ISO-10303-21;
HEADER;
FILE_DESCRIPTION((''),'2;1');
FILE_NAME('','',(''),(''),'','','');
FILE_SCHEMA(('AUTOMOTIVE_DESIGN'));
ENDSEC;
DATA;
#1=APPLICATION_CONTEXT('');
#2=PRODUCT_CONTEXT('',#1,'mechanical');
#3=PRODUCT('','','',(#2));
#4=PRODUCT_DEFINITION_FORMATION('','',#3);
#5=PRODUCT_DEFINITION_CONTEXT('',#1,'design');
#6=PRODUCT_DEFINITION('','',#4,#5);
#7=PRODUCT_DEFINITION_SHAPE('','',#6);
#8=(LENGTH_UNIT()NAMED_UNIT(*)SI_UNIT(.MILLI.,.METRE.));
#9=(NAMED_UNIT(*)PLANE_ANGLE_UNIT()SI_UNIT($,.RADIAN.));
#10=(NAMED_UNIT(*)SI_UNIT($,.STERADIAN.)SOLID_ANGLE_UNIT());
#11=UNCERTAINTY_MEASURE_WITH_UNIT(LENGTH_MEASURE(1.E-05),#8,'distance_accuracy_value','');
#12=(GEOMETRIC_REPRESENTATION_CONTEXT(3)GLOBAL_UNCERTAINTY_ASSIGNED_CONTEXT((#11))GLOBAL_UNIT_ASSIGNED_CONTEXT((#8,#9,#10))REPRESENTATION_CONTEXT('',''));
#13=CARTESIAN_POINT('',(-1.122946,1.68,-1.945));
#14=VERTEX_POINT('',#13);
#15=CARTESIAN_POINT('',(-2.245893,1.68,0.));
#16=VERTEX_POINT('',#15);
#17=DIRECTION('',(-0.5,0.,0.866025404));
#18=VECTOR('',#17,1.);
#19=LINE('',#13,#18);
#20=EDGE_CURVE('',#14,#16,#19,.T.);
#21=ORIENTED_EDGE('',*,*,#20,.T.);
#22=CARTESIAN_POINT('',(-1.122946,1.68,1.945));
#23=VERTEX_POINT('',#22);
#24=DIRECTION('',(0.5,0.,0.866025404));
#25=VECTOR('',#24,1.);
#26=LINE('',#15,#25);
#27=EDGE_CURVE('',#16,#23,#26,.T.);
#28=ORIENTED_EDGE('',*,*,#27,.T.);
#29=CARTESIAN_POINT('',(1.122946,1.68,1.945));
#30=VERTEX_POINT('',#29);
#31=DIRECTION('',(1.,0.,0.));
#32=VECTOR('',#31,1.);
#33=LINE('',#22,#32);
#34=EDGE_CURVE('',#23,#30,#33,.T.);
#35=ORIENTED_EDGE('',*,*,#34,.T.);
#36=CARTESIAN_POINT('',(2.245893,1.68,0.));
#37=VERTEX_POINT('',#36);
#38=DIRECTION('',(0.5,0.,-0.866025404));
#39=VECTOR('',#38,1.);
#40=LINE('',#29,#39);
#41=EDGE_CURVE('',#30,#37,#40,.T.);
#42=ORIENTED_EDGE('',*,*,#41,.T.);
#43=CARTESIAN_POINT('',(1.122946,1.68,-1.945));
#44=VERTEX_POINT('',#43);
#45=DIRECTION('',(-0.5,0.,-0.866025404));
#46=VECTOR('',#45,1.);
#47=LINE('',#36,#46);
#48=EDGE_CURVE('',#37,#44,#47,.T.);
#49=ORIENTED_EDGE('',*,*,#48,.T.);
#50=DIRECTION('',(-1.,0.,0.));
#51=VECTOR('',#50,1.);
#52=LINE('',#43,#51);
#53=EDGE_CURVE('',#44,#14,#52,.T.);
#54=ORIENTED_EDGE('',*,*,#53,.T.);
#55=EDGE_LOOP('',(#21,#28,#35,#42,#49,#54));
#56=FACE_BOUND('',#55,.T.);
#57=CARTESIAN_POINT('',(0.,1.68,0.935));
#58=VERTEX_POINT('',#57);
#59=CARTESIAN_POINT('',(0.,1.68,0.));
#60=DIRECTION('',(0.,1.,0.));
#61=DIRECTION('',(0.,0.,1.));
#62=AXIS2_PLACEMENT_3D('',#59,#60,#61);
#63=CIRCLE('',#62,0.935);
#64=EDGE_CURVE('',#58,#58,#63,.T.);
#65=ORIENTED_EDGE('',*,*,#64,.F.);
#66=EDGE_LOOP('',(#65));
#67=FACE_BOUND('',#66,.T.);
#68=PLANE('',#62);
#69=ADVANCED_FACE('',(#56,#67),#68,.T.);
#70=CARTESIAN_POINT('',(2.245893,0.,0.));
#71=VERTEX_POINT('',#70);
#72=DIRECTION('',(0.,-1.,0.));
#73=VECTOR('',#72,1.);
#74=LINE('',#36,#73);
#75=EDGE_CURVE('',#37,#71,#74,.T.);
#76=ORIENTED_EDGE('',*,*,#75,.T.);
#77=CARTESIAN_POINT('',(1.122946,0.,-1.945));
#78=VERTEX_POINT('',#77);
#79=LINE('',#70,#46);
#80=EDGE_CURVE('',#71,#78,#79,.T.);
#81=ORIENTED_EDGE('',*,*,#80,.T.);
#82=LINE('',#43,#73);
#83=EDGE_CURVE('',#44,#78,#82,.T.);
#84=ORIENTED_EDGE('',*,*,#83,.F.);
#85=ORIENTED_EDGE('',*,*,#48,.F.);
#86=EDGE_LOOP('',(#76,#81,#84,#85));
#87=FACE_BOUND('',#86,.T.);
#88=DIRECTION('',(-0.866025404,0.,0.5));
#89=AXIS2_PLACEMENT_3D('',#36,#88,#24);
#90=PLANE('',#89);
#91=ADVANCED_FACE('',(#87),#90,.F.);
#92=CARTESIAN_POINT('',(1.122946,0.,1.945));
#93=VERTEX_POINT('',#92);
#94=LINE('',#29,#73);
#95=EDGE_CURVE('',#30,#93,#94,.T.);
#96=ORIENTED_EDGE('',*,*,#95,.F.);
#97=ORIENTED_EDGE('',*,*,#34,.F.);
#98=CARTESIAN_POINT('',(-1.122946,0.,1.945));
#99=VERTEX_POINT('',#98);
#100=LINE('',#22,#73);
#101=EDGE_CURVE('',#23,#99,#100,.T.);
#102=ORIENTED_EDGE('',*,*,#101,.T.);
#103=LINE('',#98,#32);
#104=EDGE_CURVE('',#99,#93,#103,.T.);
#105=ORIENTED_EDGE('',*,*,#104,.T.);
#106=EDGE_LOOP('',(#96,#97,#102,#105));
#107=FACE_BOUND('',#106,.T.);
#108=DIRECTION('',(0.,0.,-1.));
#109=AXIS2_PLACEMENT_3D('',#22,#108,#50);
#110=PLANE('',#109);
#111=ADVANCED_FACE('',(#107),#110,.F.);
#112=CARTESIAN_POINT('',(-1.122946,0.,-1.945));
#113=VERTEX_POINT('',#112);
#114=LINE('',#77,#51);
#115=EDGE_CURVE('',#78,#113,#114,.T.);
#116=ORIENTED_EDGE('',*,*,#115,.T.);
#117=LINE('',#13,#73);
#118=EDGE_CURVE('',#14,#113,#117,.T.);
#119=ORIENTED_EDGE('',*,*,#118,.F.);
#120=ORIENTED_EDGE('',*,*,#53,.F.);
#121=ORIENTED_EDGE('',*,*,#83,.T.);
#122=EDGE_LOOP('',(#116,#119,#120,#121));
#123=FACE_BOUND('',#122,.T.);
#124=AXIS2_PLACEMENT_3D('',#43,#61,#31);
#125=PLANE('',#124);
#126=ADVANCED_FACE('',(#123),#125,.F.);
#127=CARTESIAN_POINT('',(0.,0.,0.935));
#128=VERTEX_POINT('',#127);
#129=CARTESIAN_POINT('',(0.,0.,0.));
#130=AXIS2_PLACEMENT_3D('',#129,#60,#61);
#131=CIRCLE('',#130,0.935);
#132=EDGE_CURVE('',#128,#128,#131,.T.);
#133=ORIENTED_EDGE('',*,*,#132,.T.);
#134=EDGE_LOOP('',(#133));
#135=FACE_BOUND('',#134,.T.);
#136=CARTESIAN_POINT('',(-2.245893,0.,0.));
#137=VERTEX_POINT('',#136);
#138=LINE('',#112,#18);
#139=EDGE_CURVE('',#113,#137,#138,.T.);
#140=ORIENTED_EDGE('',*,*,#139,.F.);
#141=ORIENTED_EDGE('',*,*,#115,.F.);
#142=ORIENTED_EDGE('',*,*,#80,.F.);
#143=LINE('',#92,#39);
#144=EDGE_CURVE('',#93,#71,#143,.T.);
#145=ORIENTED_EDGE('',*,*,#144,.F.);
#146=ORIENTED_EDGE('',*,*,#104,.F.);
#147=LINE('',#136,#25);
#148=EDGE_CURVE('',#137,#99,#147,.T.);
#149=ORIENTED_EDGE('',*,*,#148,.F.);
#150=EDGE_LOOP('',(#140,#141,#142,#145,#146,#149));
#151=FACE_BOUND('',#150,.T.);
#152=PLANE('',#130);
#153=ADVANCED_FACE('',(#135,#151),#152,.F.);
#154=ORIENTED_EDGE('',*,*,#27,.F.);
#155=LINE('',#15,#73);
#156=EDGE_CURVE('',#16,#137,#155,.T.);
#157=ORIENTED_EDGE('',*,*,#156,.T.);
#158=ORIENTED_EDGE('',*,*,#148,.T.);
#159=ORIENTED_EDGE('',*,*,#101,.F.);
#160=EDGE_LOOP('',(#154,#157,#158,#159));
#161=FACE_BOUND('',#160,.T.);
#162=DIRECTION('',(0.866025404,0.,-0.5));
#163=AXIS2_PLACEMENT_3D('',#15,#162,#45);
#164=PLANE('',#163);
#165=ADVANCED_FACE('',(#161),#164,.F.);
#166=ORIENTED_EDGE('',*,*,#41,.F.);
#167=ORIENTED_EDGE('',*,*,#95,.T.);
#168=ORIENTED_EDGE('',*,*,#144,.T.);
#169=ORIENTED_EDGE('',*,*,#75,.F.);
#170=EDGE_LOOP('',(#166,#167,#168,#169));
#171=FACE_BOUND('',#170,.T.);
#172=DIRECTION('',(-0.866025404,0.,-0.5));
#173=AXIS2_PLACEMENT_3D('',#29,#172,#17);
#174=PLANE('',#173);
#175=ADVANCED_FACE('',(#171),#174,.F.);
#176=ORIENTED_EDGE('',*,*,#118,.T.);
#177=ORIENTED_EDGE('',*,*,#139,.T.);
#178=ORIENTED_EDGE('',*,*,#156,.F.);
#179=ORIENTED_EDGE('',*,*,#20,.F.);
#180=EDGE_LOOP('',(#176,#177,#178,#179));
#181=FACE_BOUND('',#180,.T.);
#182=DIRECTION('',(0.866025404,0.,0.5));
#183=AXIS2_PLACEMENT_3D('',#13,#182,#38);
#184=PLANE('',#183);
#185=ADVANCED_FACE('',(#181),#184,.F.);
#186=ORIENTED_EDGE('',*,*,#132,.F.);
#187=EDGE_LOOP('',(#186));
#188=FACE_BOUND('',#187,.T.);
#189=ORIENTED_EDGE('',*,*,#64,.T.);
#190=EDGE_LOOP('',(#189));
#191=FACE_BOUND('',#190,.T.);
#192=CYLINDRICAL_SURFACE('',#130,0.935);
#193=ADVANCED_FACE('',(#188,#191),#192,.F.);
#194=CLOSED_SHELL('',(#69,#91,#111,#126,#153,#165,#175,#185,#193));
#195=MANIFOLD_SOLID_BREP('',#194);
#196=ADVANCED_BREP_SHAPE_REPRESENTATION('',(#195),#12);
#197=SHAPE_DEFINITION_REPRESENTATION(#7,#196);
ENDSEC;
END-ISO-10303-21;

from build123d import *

# Parameters (mm, degrees)
BOSS_EXTRUDE1_DEPTH = 1.68
SKETCH2_R           = 0.935
CUT_EXTRUDE1_DEPTH  = 2.68


with BuildPart() as part:
    # Sketch1 → Boss-Extrude1 (new body)
    with BuildSketch(Plane(origin=(0, 0, 0), x_dir=(1, 0, 0), z_dir=(0, 1, 0))):
        Polygon((1.122946274, -1.945), (2.245892547, 0), (1.122946274, 1.945), (-1.122946274, 1.945), (-2.245892547, 0), (-1.122946274, -1.945), align=None)
    extrude(amount=BOSS_EXTRUDE1_DEPTH)

    # Sketch2 → Cut-Extrude1 (cut, through all)
    with BuildSketch(Plane(origin=(0, 1.68, 0), x_dir=(1, 0, 0), z_dir=(0, 1, 0))):
        Circle(SKETCH2_R)
    extrude(amount=-CUT_EXTRUDE1_DEPTH, mode=Mode.SUBTRACT)


solid = part.part
